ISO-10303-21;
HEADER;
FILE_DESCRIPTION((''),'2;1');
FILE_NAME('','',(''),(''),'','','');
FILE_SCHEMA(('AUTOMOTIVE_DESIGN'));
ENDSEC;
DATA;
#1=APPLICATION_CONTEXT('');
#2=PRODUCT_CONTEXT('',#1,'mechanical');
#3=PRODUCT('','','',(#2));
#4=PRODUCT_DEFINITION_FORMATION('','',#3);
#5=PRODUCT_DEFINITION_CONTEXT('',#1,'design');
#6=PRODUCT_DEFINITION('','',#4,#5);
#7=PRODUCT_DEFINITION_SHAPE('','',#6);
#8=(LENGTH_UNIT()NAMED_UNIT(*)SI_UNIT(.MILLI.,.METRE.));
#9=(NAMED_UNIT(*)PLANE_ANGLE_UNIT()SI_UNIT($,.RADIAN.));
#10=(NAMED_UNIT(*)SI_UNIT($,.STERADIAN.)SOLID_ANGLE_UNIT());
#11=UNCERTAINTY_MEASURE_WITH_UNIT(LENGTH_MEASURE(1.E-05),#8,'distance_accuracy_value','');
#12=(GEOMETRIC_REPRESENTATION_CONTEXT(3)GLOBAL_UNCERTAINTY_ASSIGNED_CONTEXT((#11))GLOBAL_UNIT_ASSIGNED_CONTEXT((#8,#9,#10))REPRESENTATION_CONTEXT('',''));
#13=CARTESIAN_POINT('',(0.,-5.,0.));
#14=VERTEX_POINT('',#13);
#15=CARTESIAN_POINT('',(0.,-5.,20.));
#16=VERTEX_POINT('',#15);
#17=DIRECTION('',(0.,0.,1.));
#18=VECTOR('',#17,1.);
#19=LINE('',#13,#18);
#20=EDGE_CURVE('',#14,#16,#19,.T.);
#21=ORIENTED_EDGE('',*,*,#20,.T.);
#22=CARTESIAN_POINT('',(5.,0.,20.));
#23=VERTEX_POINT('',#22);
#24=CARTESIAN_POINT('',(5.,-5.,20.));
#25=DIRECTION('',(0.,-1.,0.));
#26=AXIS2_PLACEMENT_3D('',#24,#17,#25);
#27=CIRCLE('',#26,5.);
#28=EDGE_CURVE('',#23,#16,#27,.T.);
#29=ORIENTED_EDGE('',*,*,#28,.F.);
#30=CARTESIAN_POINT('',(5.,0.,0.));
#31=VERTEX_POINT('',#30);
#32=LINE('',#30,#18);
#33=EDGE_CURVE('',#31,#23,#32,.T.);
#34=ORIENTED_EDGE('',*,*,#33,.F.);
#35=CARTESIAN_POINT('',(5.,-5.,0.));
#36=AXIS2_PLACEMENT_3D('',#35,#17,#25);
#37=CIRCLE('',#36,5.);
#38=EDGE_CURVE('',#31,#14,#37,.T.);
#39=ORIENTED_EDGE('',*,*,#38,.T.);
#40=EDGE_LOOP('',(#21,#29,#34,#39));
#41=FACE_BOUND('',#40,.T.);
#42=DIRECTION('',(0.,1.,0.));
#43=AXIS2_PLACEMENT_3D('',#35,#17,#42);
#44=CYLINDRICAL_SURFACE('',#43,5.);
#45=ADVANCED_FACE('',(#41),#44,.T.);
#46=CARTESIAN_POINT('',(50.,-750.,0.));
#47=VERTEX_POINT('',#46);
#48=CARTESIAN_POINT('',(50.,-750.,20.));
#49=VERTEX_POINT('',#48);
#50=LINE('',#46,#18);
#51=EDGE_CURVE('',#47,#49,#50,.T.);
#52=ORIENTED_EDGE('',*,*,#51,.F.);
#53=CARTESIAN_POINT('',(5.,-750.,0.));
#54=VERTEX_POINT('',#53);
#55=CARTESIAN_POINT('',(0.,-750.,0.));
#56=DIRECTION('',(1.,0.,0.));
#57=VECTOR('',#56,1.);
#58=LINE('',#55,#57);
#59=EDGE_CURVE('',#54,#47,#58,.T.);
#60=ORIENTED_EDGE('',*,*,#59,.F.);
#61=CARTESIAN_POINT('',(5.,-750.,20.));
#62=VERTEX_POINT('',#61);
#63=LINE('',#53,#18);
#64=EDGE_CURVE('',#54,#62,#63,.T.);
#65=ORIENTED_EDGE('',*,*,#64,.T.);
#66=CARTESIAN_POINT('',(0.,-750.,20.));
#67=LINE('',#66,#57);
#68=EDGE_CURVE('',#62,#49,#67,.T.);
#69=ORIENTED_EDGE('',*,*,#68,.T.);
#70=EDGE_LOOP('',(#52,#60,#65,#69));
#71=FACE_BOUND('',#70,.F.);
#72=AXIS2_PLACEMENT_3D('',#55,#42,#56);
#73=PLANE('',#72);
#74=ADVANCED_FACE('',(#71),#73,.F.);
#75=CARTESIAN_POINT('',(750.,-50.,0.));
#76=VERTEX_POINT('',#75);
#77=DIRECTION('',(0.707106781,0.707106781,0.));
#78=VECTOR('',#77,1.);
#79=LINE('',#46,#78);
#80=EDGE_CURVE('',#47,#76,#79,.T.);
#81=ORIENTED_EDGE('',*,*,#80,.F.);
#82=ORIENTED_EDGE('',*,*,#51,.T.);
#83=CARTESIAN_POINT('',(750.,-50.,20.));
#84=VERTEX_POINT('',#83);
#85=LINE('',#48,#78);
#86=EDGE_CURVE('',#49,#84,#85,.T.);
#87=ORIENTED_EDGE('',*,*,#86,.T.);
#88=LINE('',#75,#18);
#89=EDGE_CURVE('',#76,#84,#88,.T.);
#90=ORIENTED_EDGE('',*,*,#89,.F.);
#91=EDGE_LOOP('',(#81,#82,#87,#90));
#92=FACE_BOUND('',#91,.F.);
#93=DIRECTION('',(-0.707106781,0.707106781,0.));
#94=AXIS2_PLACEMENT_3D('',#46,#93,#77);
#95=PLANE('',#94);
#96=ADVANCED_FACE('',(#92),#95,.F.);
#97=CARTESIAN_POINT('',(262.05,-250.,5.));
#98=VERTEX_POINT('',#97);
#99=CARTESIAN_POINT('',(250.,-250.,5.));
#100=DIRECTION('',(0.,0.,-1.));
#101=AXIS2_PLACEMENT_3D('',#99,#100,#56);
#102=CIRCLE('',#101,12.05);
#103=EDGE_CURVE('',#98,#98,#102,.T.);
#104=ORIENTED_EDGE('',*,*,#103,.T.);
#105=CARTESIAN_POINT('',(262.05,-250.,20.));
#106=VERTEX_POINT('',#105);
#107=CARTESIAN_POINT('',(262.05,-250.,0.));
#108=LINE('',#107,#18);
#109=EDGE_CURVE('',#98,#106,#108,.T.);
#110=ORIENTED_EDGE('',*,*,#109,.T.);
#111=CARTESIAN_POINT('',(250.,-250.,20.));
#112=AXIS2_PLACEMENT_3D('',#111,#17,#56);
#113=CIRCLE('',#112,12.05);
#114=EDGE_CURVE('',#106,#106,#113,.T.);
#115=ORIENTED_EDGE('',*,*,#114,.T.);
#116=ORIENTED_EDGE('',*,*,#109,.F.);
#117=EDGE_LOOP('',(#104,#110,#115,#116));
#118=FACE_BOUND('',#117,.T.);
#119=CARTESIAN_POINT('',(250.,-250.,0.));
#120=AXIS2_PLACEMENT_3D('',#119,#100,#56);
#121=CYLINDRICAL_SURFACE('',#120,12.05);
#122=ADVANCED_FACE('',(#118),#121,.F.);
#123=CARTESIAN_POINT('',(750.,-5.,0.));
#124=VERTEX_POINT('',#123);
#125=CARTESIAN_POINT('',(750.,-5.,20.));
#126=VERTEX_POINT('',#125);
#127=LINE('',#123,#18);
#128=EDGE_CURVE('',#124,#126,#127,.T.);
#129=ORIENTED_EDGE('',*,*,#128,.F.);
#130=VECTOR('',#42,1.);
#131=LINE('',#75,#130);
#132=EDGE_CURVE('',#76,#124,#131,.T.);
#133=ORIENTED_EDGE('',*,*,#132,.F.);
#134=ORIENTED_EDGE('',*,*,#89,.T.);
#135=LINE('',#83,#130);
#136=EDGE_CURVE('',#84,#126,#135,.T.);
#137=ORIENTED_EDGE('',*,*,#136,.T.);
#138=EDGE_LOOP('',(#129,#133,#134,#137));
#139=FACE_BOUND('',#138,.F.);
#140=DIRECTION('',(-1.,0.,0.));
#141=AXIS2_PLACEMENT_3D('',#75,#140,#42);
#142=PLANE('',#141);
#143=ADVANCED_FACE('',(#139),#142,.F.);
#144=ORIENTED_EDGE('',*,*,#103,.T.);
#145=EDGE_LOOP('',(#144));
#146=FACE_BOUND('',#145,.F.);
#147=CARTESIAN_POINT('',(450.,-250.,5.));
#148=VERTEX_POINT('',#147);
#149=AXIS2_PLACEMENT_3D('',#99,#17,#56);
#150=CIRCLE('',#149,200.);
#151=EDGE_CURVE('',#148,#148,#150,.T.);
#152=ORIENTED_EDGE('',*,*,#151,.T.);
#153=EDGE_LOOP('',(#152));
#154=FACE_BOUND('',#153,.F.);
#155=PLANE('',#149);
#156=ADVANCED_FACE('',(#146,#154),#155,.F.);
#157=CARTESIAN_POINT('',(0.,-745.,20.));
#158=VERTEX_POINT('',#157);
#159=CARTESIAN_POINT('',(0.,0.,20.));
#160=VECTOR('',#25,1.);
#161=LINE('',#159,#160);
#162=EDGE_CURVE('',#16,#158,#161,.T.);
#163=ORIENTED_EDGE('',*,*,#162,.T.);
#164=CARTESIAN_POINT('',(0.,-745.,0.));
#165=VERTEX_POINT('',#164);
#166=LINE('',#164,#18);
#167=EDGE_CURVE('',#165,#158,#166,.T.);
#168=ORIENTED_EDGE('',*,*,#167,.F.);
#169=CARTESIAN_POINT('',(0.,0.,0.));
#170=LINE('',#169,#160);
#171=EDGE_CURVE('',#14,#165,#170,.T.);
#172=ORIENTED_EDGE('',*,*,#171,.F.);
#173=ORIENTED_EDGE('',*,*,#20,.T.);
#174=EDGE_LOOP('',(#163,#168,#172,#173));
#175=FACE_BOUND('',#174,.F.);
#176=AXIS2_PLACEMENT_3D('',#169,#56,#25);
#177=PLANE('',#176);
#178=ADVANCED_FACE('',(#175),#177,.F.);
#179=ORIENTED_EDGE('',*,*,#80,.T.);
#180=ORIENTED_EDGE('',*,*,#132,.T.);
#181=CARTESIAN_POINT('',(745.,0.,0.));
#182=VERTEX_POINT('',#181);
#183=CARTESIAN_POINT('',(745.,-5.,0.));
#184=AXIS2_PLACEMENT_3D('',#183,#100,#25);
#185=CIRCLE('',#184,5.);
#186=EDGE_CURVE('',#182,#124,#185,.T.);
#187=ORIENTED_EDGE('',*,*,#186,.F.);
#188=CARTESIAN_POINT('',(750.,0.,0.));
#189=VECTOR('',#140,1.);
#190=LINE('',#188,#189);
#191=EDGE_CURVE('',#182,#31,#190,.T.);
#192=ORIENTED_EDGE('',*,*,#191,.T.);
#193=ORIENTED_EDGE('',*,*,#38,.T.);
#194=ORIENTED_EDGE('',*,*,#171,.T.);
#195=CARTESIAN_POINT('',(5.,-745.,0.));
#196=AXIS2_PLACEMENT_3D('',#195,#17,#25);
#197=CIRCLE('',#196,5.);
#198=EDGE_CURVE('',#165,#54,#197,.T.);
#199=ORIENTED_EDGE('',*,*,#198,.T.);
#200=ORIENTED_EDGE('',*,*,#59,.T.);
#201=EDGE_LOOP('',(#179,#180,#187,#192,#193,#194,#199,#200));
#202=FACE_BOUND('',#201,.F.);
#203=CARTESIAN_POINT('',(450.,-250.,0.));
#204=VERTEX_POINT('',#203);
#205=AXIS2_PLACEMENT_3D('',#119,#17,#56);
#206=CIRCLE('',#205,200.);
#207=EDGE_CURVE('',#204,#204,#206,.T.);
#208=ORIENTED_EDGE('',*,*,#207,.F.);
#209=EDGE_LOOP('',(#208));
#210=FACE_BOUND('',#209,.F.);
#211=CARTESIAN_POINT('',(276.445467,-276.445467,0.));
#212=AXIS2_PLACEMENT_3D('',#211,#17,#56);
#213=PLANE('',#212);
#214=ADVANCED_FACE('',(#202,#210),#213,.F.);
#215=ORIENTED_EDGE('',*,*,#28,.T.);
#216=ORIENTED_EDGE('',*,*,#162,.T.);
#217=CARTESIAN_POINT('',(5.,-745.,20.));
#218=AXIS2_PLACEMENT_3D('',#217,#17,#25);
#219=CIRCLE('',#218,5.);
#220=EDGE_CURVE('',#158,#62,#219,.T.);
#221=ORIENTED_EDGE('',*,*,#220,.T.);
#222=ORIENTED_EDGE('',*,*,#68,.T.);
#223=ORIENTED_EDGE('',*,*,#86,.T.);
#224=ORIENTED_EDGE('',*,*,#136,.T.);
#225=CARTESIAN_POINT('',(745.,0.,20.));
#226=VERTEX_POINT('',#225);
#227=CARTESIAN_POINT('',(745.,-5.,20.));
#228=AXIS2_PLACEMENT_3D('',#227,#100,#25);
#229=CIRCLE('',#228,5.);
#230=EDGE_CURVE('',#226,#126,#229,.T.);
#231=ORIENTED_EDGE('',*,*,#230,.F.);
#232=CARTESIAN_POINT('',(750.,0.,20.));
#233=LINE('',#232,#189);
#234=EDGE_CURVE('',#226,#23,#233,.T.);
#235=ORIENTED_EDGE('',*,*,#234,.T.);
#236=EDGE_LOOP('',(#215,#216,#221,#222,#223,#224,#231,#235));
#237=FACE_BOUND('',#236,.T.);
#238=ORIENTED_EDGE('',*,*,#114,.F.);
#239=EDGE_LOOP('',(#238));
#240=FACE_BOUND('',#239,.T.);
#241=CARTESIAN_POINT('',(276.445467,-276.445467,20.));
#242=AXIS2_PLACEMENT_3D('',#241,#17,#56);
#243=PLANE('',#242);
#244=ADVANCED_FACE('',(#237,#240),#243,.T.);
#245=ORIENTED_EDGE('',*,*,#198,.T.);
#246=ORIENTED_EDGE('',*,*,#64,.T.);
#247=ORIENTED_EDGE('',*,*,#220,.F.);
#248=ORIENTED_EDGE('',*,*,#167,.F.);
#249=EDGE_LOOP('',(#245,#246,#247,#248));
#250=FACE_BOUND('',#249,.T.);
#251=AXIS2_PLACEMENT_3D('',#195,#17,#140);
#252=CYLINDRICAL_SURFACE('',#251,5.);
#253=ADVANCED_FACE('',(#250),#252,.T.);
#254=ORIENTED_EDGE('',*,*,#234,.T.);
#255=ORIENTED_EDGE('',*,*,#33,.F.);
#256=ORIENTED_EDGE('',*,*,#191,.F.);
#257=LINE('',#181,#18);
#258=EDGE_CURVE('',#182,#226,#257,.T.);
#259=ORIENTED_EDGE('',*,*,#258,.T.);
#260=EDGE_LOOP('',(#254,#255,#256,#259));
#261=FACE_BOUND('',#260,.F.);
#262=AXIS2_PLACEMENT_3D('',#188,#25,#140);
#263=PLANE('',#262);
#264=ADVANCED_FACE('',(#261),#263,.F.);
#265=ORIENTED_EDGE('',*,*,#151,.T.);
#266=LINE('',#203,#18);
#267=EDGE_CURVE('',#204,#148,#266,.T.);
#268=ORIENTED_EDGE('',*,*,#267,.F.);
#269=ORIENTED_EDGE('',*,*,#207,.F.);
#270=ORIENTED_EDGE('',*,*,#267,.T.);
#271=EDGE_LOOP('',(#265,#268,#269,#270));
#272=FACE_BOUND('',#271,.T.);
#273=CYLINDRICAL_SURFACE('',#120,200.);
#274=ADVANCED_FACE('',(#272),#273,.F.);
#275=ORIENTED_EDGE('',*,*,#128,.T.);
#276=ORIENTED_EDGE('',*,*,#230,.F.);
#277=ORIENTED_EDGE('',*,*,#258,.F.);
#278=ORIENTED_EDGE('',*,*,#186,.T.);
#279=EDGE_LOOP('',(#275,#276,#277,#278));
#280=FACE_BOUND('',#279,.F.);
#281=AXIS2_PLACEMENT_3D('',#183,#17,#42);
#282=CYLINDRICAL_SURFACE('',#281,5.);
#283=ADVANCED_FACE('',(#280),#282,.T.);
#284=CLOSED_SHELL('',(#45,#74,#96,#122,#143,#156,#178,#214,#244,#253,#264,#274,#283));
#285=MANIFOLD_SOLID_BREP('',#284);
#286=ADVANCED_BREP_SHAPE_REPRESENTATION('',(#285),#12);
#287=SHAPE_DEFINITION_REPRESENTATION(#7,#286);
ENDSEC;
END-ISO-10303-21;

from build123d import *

# Parameters (mm, degrees)
F0_R     = 12.05
F1_DEPTH = 20
F2_R     = 5
F3_R     = 200
F4_DEPTH = 5


with BuildPart() as f1:
    # F0 (on Top) → F1 (new body)
    with BuildSketch(Plane.XY):
        Polygon((750, 0), (0, 0), (0, -750), (50, -750), (750, -50), align=None)
        with Locations((250, -250)):
            Circle(F0_R, mode=Mode.SUBTRACT)
    extrude(amount=F1_DEPTH)

    # F2
    f2_edges = [f1.edges().sort_by_distance(p)[0] for p in [
        (0, -750, 10),
        (750, 0, 10),
        (0, 0, 10),
    ]]
    fillet(f2_edges, radius=F2_R)

    # F3 (on Top) → F4 (cut)
    with BuildSketch(Plane.XY):
        with Locations((250, -250)):
            Circle(F3_R)
    extrude(amount=F4_DEPTH, mode=Mode.SUBTRACT)


solid = f1.part
